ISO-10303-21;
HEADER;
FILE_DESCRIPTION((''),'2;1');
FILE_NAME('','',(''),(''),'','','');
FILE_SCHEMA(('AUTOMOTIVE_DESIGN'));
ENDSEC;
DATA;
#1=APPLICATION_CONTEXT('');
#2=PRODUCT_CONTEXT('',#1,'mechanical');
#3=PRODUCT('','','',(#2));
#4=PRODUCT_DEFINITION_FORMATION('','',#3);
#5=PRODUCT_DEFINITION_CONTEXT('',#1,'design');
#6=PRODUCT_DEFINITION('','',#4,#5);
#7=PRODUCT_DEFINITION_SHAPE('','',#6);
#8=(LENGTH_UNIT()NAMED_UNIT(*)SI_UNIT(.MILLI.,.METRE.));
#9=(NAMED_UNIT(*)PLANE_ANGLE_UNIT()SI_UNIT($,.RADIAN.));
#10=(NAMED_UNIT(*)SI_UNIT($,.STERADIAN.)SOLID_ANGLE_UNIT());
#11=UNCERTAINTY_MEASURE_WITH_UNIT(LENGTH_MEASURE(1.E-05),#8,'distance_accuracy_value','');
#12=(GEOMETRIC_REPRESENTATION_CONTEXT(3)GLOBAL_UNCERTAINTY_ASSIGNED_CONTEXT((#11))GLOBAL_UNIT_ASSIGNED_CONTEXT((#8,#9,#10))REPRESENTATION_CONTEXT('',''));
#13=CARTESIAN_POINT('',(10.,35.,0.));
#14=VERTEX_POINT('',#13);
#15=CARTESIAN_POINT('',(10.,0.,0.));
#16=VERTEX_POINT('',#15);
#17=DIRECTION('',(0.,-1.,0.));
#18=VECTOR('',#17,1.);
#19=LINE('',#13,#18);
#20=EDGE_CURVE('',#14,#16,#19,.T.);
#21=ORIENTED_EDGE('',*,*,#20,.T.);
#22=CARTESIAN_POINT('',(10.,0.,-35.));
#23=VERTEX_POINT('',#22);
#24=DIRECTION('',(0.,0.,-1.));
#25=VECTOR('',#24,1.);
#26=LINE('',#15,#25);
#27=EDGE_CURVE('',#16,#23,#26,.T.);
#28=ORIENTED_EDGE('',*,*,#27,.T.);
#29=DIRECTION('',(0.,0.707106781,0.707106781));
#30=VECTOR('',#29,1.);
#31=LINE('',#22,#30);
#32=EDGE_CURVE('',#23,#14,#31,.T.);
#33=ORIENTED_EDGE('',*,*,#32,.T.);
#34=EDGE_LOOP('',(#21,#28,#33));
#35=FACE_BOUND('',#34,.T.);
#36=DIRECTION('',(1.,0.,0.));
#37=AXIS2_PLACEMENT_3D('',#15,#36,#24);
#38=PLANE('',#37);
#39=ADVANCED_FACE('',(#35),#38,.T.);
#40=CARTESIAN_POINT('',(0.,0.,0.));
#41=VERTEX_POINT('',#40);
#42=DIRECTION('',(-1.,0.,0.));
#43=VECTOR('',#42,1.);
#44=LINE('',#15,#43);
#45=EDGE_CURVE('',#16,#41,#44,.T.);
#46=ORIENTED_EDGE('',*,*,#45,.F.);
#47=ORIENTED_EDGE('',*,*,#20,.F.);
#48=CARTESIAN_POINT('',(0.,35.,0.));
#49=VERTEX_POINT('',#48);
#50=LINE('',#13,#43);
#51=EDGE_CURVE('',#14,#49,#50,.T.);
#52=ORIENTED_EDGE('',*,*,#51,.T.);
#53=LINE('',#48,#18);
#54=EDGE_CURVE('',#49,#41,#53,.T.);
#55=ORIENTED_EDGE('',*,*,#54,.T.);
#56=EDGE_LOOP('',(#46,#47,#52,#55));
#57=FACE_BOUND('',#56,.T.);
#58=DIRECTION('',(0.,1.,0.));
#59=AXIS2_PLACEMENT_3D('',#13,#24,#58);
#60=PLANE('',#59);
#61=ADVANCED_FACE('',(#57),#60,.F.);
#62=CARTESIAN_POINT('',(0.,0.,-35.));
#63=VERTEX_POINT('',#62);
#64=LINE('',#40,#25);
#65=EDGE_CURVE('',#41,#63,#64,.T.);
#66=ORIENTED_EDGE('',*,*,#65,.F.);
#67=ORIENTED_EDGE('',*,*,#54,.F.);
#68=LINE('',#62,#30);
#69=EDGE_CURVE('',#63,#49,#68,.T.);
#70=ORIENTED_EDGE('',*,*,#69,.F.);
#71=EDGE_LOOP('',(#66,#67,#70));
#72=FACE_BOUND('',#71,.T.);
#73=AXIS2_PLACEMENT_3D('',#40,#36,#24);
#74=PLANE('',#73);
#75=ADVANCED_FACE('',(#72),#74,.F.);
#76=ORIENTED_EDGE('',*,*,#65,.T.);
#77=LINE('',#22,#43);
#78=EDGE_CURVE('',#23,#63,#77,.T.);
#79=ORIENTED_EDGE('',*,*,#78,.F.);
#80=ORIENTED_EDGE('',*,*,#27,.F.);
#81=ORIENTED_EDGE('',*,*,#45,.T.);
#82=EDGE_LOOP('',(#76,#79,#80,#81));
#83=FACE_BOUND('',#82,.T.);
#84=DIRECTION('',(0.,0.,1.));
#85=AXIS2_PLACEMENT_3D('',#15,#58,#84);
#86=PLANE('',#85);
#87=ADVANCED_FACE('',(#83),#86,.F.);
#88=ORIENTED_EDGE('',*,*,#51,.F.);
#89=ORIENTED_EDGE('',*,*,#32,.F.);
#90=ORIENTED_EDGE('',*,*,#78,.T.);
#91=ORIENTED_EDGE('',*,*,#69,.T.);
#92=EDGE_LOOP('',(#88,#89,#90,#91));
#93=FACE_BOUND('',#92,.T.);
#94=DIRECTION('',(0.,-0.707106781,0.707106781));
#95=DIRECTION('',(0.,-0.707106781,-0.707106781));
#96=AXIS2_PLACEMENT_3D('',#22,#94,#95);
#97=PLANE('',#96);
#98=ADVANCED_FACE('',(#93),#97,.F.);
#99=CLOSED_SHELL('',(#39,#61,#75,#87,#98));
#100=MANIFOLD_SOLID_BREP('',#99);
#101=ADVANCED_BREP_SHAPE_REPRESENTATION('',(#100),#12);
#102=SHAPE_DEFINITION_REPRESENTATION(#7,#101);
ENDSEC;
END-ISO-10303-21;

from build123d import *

# Parameters (mm, degrees)
BOSS_EXTRUDE1_DEPTH = 10


with BuildPart() as part:
    # Sketch1 → Boss-Extrude1 (new body)
    with BuildSketch(Plane(origin=(0, 0, 0), x_dir=(0, 0, -1), z_dir=(1, 0, 0))):
        Polygon((0, 0), (35, 0), (0, 35), align=None)
    extrude(amount=BOSS_EXTRUDE1_DEPTH)


solid = part.part
